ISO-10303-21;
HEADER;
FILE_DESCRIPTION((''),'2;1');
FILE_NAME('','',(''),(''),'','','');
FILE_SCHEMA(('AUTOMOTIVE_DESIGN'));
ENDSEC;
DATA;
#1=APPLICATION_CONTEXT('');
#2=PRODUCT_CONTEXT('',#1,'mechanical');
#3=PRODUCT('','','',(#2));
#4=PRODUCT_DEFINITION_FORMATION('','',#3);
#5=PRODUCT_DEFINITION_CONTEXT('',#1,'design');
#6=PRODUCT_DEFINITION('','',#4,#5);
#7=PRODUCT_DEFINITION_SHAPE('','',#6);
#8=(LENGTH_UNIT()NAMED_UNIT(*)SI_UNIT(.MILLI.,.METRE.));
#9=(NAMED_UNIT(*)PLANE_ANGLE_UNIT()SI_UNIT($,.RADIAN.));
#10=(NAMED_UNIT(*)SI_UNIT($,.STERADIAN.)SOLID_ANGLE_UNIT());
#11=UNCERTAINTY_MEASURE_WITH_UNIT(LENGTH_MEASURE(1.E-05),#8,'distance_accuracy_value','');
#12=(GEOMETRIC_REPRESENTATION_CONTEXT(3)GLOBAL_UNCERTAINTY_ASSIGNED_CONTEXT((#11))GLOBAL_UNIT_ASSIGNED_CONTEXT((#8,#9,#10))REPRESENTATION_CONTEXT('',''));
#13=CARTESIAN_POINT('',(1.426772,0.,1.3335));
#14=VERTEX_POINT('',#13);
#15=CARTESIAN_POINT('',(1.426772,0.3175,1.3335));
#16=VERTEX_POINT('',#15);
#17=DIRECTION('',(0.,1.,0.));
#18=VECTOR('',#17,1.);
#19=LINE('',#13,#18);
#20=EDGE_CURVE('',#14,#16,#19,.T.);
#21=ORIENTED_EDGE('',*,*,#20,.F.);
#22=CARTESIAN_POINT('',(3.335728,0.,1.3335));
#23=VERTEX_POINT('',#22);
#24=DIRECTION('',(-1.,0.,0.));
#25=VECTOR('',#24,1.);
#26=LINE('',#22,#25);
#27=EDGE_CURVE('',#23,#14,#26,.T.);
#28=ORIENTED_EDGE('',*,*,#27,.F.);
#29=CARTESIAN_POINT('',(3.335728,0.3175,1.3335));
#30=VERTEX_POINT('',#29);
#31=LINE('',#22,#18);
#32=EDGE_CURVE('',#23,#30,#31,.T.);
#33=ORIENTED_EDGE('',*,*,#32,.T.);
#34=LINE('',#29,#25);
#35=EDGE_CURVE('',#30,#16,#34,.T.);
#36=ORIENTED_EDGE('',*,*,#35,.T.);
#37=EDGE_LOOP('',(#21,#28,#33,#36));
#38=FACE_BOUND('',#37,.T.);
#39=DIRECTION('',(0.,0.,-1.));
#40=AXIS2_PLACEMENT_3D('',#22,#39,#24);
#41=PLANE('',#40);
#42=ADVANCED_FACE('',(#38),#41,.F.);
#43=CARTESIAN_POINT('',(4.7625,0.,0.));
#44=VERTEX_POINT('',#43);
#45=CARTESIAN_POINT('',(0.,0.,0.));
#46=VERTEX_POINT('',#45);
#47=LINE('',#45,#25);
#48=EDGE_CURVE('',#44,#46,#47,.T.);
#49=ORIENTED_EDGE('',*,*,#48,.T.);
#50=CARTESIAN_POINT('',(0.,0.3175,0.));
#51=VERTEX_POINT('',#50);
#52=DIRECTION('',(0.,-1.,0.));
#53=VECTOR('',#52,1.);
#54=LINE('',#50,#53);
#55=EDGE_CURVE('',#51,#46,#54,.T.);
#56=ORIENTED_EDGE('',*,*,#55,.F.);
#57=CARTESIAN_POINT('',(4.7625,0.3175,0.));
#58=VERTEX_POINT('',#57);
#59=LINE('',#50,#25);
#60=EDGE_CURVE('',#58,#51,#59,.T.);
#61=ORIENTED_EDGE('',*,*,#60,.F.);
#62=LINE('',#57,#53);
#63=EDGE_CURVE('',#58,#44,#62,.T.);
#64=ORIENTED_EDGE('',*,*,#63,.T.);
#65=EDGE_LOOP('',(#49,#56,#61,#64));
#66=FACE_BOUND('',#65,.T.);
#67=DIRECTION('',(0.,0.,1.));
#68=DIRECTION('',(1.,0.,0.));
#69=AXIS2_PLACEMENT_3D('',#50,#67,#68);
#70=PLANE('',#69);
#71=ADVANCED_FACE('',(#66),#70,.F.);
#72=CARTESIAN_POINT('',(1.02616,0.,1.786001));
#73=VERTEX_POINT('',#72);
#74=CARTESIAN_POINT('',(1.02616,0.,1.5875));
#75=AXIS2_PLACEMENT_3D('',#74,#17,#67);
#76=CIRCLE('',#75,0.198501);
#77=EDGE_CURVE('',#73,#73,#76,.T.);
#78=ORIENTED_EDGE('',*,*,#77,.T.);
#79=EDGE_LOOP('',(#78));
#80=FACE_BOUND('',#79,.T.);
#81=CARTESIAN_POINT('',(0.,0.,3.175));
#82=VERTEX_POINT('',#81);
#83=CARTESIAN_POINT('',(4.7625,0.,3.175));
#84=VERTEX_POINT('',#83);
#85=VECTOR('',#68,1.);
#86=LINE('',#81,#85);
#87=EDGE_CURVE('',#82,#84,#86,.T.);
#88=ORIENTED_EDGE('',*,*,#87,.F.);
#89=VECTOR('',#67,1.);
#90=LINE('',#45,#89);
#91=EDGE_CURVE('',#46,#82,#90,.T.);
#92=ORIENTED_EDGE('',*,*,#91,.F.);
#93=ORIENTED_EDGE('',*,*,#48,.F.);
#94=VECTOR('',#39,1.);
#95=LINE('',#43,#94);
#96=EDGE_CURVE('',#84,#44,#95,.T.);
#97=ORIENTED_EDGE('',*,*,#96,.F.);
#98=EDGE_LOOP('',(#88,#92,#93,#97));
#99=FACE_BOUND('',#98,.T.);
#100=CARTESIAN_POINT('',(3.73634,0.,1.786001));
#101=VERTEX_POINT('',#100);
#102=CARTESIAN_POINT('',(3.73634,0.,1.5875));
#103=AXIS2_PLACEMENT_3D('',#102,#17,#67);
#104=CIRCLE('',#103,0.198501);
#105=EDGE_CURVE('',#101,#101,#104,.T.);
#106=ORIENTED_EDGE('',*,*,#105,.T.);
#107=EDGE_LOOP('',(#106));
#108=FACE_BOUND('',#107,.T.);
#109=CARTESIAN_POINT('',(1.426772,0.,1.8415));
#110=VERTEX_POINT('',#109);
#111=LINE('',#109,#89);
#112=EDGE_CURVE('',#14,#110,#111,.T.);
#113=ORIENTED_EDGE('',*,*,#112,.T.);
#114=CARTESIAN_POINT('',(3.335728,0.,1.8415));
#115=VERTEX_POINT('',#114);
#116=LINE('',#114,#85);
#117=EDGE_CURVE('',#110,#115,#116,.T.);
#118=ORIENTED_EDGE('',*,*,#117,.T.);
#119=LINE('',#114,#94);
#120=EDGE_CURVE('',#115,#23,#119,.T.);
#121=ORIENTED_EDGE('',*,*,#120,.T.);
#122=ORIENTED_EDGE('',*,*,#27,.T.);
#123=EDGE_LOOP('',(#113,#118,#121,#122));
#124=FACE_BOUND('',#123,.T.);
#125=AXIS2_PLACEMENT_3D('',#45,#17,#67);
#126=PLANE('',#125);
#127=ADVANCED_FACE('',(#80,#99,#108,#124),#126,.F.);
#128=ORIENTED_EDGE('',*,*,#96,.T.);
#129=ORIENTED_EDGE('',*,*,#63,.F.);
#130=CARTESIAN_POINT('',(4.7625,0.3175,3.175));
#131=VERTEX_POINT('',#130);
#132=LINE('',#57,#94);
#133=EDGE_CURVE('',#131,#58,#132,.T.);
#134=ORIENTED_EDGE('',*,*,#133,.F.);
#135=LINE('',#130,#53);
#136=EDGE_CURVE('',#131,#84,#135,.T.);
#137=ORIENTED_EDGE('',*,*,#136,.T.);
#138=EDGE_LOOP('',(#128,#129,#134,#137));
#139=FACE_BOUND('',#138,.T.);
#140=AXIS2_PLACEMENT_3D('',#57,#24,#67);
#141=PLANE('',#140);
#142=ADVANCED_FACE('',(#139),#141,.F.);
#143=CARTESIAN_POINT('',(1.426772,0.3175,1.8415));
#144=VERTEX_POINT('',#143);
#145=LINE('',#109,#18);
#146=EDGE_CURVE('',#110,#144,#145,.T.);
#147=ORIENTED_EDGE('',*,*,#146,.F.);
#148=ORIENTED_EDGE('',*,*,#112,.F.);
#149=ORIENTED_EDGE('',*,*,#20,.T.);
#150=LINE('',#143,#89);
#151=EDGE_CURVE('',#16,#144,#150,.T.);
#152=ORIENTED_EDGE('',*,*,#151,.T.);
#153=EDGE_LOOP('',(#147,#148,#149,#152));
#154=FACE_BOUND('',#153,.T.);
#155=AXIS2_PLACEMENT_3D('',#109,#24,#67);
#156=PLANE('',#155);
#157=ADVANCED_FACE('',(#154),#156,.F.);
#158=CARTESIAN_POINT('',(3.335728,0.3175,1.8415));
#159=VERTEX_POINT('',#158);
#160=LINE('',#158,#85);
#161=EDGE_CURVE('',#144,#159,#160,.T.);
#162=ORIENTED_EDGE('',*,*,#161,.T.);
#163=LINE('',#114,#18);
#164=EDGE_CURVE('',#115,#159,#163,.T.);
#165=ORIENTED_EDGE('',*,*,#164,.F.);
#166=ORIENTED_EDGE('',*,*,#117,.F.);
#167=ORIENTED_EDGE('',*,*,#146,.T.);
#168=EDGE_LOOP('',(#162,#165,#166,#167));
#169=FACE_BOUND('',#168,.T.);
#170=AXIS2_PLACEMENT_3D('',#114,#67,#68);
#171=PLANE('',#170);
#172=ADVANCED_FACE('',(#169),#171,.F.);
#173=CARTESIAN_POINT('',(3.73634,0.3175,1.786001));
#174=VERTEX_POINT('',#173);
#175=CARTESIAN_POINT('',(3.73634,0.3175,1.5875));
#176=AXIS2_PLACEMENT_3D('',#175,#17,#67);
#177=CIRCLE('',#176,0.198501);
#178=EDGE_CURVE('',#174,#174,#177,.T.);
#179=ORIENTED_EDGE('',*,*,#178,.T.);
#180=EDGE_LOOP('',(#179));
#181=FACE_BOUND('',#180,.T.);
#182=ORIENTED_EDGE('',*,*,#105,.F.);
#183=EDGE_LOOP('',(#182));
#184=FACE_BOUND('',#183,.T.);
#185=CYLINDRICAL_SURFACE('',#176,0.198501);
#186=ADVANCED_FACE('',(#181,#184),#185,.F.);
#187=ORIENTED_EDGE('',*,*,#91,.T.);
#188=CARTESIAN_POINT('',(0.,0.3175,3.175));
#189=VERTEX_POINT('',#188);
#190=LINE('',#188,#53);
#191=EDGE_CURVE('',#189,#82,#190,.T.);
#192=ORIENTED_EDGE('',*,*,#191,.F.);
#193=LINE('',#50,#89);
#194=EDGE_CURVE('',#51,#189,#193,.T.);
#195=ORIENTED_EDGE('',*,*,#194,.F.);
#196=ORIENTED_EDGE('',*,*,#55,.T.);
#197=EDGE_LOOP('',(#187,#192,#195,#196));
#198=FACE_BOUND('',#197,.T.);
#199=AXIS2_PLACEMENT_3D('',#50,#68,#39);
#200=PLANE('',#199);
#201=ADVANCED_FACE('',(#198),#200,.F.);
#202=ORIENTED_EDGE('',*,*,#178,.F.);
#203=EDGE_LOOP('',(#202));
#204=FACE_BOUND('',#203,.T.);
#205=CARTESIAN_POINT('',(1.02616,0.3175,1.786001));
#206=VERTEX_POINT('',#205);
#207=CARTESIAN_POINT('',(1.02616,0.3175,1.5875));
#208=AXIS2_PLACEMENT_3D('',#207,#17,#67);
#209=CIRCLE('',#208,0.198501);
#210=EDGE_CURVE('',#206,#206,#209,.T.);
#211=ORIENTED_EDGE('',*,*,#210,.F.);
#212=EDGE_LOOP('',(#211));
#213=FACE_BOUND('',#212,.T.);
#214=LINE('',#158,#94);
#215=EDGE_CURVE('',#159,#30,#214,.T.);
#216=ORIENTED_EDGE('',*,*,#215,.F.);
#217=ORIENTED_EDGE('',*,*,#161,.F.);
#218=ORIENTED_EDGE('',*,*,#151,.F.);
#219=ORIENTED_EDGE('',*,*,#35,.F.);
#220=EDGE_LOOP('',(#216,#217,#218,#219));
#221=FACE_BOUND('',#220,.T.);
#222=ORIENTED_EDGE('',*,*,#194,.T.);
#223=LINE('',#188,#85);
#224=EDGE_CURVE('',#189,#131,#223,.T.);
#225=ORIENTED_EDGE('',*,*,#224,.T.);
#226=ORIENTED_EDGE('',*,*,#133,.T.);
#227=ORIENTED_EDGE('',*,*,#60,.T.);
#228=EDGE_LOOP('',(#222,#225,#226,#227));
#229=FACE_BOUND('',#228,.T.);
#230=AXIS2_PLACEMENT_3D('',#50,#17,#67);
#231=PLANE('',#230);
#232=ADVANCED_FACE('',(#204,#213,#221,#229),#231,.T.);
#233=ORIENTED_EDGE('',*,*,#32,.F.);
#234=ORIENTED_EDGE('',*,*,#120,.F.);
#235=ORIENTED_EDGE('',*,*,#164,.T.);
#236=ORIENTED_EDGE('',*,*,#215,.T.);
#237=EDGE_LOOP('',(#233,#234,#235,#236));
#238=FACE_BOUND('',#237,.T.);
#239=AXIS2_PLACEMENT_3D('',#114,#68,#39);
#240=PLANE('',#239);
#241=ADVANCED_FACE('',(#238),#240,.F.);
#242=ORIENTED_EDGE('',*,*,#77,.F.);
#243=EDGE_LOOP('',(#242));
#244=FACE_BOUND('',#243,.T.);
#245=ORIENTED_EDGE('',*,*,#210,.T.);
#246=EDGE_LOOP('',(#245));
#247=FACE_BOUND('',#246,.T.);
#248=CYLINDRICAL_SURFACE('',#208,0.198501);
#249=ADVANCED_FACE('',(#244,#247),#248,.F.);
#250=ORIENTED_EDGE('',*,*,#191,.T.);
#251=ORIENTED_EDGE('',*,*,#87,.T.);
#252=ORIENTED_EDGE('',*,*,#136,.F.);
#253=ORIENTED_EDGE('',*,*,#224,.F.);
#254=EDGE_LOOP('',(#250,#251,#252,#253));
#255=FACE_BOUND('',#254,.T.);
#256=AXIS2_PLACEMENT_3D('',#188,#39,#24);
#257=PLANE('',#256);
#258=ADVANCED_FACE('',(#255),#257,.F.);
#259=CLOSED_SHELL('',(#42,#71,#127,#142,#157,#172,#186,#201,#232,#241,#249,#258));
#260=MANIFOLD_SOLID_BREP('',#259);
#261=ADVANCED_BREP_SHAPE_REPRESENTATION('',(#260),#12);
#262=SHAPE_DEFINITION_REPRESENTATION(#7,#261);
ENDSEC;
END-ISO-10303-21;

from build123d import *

# Parameters (mm, degrees)
SKETCH1_W                           = 4.7625
SKETCH1_H                           = 3.175
BOSS_EXTRUDE1_DEPTH                 = 0.3175
F_1_64_0_01563_DIAMETER_HOLE1_D     = 0.397002
F_1_64_0_01563_DIAMETER_HOLE1_DEPTH = 6.35
F_1_64_0_01563_DIAMETER_HOLE1_TIP   = 0.166562116
F_1_64_0_01563_DIAMETER_HOLE2_D     = 0.397002
F_1_64_0_01563_DIAMETER_HOLE2_DEPTH = 6.35
F_1_64_0_01563_DIAMETER_HOLE2_TIP   = 0.166562116
SKETCH9_W                           = 1.908955312
SKETCH9_H                           = 0.508
CUT_EXTRUDE1_DEPTH                  = 6.732611752


with BuildPart() as part:
    # Sketch1 → Boss-Extrude1 (new body)
    with BuildSketch(Plane(origin=(0, 0, 0), x_dir=(1, 0, 0), z_dir=(0, 1, 0))):
        with Locations((2.38125, -1.5875)):
            Rectangle(SKETCH1_W, SKETCH1_H)
    extrude(amount=BOSS_EXTRUDE1_DEPTH)

    # 1/64 (0.01563) Diameter Hole1
    with Locations(Plane(origin=(0, 0.3175, 0), x_dir=(1, 0, 0), z_dir=(0, 1, 0))):
        with Locations((1.02616, -1.5875)):
            Hole(F_1_64_0_01563_DIAMETER_HOLE1_D / 2, depth=F_1_64_0_01563_DIAMETER_HOLE1_DEPTH)
            with Locations((0, 0, -(F_1_64_0_01563_DIAMETER_HOLE1_DEPTH + F_1_64_0_01563_DIAMETER_HOLE1_TIP / 2))):  # 100° drill point
                Cone(0, F_1_64_0_01563_DIAMETER_HOLE1_D / 2, F_1_64_0_01563_DIAMETER_HOLE1_TIP, mode=Mode.SUBTRACT)

    # 1/64 (0.01563) Diameter Hole2
    with Locations(Plane(origin=(0, 0.3175, 0), x_dir=(1, 0, 0), z_dir=(0, 1, 0))):
        with Locations((3.73634, -1.5875)):
            Hole(F_1_64_0_01563_DIAMETER_HOLE2_D / 2, depth=F_1_64_0_01563_DIAMETER_HOLE2_DEPTH)
            with Locations((0, 0, -(F_1_64_0_01563_DIAMETER_HOLE2_DEPTH + F_1_64_0_01563_DIAMETER_HOLE2_TIP / 2))):  # 100° drill point
                Cone(0, F_1_64_0_01563_DIAMETER_HOLE2_D / 2, F_1_64_0_01563_DIAMETER_HOLE2_TIP, mode=Mode.SUBTRACT)

    # Sketch9 → Cut-Extrude1 (cut, through all)
    with BuildSketch(Plane(origin=(0, 0.3175, 0), x_dir=(1, 0, 0), z_dir=(0, 1, 0))):
        with Locations((2.38125, -1.5875)):
            Rectangle(SKETCH9_W, SKETCH9_H)
    extrude(amount=-CUT_EXTRUDE1_DEPTH, mode=Mode.SUBTRACT)


solid = part.part
